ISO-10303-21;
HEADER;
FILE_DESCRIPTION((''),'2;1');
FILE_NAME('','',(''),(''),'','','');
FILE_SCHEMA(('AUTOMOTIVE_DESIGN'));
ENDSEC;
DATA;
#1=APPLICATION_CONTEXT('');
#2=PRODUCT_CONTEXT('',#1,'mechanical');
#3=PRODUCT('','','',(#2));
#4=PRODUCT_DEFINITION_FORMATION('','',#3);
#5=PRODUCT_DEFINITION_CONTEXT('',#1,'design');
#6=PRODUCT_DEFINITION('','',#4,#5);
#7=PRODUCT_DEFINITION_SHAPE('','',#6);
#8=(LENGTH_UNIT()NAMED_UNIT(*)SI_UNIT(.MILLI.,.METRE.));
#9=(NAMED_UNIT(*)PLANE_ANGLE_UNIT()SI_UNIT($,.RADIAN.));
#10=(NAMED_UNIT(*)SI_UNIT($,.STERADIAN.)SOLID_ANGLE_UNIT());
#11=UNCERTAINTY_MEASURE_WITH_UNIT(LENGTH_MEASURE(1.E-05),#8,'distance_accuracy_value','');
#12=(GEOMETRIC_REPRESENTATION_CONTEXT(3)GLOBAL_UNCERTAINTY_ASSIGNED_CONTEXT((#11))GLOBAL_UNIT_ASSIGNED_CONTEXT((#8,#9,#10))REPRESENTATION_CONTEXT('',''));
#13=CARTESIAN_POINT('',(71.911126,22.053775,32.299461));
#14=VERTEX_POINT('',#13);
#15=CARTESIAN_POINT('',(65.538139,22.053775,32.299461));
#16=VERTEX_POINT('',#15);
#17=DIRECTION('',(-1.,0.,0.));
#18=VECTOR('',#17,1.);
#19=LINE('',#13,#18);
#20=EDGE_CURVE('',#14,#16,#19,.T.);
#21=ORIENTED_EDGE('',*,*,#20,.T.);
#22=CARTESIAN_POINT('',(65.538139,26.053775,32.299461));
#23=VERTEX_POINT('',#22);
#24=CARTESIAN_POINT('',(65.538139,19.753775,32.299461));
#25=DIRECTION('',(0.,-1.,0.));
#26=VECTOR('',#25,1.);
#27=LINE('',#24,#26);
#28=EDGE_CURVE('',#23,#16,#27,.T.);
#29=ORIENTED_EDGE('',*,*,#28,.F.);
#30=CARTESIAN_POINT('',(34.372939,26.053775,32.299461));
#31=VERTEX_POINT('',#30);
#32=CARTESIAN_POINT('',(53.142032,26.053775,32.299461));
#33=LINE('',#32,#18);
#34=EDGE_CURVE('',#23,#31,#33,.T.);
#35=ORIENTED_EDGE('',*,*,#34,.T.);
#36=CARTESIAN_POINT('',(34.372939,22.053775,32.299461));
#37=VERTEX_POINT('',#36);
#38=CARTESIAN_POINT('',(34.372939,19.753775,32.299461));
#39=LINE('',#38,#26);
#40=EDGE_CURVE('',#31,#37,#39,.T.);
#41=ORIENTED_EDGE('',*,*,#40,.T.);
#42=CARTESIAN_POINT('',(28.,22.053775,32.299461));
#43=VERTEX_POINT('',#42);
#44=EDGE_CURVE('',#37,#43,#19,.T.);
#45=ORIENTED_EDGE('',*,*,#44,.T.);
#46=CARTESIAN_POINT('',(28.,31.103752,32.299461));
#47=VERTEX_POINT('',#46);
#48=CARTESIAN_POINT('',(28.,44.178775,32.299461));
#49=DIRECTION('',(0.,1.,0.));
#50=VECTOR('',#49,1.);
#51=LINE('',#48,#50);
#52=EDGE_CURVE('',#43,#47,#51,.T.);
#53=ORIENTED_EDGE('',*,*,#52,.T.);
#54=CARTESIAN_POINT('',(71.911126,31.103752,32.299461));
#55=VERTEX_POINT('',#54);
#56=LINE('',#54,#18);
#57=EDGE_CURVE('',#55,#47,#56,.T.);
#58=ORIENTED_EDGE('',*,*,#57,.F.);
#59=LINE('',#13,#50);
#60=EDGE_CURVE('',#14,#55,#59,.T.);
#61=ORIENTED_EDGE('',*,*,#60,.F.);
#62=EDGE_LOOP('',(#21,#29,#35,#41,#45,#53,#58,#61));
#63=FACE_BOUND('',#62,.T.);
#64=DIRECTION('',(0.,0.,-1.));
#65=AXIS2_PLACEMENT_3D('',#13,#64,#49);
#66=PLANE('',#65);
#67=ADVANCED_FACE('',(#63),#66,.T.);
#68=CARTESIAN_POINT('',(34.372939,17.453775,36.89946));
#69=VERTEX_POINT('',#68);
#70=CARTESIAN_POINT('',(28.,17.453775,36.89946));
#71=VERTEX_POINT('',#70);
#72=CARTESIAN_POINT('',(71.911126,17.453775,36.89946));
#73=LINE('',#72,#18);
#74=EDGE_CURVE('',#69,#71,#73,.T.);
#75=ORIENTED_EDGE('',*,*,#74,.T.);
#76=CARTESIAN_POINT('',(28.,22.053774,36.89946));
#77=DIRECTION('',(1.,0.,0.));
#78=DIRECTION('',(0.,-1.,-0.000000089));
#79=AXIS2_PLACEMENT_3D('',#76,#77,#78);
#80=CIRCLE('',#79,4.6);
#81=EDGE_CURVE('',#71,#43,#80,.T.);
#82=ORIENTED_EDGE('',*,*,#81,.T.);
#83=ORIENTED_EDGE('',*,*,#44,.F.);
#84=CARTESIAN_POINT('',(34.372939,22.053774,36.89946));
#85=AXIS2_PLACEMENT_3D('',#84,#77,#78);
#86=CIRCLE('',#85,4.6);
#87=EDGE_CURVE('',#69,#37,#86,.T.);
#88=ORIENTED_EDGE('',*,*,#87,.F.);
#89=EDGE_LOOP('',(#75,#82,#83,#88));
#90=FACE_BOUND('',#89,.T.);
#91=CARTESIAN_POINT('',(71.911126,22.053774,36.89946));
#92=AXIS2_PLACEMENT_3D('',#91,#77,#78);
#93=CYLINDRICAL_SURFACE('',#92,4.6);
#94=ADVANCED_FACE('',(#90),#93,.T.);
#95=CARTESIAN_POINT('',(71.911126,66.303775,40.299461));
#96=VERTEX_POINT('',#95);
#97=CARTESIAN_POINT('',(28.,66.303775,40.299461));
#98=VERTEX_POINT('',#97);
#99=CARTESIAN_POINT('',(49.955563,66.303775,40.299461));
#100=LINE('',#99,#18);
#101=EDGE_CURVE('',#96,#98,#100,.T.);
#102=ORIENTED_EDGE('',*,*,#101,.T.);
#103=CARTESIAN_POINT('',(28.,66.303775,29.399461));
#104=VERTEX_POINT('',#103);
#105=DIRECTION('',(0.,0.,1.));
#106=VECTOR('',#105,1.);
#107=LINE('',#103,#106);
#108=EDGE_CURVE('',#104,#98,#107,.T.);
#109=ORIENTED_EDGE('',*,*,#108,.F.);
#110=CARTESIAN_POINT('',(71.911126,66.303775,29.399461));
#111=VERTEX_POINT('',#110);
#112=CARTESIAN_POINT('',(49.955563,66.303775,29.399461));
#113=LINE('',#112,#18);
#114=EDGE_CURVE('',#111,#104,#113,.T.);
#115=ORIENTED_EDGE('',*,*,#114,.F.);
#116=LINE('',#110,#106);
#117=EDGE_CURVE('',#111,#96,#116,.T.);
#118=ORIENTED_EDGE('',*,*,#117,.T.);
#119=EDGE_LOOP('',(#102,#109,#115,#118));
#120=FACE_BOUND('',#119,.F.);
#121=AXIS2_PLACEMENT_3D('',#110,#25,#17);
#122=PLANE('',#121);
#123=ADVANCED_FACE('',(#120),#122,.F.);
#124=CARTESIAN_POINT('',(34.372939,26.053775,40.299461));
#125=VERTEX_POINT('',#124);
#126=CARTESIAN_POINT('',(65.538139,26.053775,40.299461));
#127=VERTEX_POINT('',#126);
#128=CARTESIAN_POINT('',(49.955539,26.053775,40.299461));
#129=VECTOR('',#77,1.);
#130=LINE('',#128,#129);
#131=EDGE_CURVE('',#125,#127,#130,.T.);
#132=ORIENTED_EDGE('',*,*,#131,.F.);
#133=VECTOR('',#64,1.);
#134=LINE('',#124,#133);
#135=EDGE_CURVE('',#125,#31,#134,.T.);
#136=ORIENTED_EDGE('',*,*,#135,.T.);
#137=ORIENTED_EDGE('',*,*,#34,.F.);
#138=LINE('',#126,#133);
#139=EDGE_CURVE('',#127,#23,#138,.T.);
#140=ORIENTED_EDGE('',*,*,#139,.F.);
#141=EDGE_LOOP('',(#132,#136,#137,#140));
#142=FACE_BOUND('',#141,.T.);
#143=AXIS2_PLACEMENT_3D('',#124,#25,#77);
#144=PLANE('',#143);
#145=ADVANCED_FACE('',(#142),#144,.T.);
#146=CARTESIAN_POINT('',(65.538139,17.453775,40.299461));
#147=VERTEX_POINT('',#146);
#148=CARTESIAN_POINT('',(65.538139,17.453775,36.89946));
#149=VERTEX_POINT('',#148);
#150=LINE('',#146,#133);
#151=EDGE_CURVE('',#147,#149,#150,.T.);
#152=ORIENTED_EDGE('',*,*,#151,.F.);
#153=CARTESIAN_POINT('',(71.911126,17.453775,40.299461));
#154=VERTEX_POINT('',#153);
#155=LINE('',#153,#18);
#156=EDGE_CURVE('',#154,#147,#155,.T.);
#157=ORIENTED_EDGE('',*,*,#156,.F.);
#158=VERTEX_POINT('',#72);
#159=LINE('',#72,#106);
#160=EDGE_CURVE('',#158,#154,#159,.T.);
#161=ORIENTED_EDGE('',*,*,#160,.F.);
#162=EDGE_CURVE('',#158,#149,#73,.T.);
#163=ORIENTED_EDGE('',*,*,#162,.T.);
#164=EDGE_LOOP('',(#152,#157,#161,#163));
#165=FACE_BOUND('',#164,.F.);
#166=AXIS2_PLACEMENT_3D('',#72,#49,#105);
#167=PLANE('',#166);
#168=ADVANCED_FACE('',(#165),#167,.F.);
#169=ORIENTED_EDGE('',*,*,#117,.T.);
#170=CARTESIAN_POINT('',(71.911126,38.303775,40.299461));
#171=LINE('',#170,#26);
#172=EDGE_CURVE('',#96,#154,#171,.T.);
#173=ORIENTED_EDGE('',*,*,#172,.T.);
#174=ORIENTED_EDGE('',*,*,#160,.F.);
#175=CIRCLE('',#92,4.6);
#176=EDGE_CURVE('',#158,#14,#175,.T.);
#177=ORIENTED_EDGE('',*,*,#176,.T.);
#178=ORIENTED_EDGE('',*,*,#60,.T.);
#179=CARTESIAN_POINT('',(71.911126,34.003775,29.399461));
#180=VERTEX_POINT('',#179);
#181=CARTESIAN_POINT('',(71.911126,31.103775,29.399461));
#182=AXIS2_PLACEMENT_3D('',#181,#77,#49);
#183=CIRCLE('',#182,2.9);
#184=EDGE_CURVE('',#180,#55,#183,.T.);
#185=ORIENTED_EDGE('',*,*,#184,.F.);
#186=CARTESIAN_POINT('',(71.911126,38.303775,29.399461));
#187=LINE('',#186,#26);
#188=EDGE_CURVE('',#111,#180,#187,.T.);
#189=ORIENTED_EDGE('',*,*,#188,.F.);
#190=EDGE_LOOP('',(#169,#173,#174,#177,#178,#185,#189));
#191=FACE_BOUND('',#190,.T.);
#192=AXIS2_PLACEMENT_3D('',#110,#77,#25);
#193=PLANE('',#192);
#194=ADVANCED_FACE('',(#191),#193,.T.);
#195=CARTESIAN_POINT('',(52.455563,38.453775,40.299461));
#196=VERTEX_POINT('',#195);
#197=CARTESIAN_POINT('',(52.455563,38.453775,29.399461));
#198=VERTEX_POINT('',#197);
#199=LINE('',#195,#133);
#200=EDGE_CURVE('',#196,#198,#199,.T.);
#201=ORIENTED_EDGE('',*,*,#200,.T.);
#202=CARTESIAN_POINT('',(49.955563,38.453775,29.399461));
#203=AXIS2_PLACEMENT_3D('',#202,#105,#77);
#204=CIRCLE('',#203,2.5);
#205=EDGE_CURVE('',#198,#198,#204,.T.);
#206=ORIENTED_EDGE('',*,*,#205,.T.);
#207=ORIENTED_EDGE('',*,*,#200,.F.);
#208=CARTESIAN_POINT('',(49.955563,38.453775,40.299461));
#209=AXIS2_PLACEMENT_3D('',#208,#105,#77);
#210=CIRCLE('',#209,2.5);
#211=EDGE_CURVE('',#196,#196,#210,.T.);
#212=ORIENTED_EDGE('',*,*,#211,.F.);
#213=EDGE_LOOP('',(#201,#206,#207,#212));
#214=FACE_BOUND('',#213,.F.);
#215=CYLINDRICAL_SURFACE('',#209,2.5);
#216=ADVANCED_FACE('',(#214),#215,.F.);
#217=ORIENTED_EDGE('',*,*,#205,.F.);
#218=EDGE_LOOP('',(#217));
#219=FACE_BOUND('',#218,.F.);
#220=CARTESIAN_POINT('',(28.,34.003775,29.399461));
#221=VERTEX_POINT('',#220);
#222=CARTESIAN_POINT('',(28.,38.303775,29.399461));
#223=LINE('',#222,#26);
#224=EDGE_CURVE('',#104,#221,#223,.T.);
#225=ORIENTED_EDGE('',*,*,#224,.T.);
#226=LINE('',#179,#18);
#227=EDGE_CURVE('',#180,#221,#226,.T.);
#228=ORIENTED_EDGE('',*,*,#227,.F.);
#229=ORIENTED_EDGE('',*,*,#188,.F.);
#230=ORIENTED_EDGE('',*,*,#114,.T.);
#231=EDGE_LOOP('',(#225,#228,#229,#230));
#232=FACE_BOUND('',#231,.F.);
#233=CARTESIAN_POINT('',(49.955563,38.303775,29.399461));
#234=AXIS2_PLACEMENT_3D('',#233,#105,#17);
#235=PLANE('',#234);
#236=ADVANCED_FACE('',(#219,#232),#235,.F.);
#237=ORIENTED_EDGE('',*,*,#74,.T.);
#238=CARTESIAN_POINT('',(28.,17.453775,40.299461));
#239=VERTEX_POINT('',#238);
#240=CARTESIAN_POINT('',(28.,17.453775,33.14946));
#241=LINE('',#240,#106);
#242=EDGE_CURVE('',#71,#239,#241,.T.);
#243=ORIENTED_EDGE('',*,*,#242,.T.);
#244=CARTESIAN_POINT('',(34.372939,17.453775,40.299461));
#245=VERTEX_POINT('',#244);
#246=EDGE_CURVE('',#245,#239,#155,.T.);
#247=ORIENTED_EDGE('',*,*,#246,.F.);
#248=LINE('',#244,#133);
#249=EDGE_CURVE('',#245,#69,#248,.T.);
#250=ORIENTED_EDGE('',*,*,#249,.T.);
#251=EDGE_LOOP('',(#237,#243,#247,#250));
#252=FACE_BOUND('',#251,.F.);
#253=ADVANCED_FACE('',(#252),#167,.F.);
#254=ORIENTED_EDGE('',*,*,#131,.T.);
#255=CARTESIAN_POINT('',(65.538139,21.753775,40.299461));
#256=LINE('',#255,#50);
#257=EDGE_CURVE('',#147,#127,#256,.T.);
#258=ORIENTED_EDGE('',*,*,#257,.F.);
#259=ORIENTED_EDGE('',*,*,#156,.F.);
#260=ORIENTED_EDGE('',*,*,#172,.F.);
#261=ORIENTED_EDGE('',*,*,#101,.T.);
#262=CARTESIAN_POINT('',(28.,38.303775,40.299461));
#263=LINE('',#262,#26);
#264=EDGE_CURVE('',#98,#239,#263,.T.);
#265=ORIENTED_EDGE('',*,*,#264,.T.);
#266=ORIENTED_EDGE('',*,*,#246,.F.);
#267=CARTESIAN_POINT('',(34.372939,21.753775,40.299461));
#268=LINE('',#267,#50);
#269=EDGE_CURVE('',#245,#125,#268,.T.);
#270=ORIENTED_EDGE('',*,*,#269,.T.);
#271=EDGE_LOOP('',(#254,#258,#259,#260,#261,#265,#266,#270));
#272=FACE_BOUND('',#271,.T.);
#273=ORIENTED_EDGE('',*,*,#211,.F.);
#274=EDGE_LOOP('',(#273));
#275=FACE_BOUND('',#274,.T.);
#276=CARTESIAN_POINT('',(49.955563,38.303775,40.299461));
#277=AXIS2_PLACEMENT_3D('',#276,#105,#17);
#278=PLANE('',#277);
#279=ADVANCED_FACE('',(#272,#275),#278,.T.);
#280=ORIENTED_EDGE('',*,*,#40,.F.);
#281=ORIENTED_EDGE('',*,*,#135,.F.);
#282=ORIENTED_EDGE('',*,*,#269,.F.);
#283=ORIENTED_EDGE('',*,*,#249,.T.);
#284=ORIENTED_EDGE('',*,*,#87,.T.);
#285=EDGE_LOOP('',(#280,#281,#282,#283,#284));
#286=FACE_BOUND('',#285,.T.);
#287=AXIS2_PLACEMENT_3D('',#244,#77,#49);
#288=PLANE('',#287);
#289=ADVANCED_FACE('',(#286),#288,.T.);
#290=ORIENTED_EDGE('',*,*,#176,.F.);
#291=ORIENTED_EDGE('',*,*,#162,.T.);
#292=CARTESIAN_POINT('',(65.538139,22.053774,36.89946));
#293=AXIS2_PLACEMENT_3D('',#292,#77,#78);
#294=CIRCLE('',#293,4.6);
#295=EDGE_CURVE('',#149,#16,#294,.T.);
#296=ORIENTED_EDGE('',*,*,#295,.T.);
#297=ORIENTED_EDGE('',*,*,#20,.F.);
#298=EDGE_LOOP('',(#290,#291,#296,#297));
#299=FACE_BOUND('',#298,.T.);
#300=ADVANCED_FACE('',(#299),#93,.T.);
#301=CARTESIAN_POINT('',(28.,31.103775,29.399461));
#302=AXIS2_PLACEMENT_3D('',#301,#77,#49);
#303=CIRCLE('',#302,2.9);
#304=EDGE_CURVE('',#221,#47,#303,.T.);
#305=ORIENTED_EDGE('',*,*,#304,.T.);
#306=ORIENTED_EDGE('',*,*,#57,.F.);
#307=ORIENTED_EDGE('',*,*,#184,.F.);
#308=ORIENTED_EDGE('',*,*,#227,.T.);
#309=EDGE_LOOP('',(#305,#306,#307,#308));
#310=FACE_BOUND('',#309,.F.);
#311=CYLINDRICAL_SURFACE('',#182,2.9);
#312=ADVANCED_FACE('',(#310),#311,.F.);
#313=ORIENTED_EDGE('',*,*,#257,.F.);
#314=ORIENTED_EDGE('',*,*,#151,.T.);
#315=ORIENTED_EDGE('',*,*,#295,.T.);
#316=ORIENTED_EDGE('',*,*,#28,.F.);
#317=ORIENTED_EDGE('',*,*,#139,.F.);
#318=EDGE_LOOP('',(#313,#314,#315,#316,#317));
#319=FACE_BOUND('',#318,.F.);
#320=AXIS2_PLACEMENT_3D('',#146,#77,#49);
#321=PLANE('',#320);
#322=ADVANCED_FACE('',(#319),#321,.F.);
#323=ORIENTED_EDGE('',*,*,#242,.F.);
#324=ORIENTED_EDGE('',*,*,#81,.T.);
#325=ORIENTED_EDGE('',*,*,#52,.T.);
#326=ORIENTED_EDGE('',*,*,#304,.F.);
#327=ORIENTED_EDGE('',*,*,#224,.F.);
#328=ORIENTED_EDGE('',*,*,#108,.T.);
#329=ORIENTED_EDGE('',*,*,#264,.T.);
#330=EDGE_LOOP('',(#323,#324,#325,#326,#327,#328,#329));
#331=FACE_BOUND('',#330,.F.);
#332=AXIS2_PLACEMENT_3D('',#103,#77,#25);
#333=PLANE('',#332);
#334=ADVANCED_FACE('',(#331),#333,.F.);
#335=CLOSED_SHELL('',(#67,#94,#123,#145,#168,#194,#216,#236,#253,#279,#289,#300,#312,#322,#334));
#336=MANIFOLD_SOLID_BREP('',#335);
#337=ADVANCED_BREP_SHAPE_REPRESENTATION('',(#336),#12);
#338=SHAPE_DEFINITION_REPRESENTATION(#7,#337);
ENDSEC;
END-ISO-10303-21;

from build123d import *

# Parameters (mm, degrees)
SKETCH001_W     = 43.9111261831
SKETCH001_H     = 56
EXTRUDE_DEPTH   = 10.9
POCKET001_DEPTH = 43.9121261831
SKETCH003_W     = 31.1652
SKETCH003_H     = 8.6
POCKET002_DEPTH = 10.901
SKETCH006_R     = 2.5
POCKET004_DEPTH = 10.9


with BuildPart() as part:
    # Sketch001 (on Face7 of Pocket) → Extrude (new body)
    with BuildSketch(Plane(origin=(66.9555630915, 66.3037746961, 29.39946064), x_dir=(-1, 0, 0), z_dir=(0, 0, 1))):
        with Locations((17, 28)):
            Rectangle(SKETCH001_W, SKETCH001_H)
    extrude(amount=EXTRUDE_DEPTH)

    # Sketch002 (on Face4 of Extrude) → Pocket001 (cut, through all)
    with BuildSketch(Plane.YZ.offset(71.9111261831)):
        with BuildLine():
            Line((10.3037746961, 29.39946064), (34.0037746961, 29.39946064))
            ThreePointArc((34.0037746961, 29.39946064), (33.1543764894, 31.4500781776), (31.1037524304, 32.29946064))
            Line((22.0537746961, 32.29946064), (31.1037524304, 32.29946064))
            ThreePointArc((17.4537746961, 36.8994600326), (18.8010836591, 33.6467691735), (22.0537746961, 32.29946064))
            Line((17.4537746961, 36.8994600326), (17.4537746961, 40.29946064))
            Line((10.3037746961, 40.29946064), (17.4537746961, 40.29946064))
            Line((10.3037746961, 40.29946064), (10.3037746961, 29.39946064))
        make_face()
    extrude(amount=-POCKET001_DEPTH, mode=Mode.SUBTRACT)

    # Sketch003 (on Face7 of Pocket001) → Pocket002 (cut, through all)
    with BuildSketch(Plane.XY.offset(40.29946064)):
        with Locations((49.9555387865, 21.7537746961)):
            Rectangle(SKETCH003_W, SKETCH003_H)
    extrude(amount=-POCKET002_DEPTH, mode=Mode.SUBTRACT)

    # Sketch006 (on Face7 of Pocket002) → Pocket004 (cut)
    with BuildSketch(Plane.XY.offset(40.29946064)):
        with Locations((49.9555630915, 38.4537746961)):
            Circle(SKETCH006_R)
    extrude(amount=-POCKET004_DEPTH, mode=Mode.SUBTRACT)


solid = part.part
